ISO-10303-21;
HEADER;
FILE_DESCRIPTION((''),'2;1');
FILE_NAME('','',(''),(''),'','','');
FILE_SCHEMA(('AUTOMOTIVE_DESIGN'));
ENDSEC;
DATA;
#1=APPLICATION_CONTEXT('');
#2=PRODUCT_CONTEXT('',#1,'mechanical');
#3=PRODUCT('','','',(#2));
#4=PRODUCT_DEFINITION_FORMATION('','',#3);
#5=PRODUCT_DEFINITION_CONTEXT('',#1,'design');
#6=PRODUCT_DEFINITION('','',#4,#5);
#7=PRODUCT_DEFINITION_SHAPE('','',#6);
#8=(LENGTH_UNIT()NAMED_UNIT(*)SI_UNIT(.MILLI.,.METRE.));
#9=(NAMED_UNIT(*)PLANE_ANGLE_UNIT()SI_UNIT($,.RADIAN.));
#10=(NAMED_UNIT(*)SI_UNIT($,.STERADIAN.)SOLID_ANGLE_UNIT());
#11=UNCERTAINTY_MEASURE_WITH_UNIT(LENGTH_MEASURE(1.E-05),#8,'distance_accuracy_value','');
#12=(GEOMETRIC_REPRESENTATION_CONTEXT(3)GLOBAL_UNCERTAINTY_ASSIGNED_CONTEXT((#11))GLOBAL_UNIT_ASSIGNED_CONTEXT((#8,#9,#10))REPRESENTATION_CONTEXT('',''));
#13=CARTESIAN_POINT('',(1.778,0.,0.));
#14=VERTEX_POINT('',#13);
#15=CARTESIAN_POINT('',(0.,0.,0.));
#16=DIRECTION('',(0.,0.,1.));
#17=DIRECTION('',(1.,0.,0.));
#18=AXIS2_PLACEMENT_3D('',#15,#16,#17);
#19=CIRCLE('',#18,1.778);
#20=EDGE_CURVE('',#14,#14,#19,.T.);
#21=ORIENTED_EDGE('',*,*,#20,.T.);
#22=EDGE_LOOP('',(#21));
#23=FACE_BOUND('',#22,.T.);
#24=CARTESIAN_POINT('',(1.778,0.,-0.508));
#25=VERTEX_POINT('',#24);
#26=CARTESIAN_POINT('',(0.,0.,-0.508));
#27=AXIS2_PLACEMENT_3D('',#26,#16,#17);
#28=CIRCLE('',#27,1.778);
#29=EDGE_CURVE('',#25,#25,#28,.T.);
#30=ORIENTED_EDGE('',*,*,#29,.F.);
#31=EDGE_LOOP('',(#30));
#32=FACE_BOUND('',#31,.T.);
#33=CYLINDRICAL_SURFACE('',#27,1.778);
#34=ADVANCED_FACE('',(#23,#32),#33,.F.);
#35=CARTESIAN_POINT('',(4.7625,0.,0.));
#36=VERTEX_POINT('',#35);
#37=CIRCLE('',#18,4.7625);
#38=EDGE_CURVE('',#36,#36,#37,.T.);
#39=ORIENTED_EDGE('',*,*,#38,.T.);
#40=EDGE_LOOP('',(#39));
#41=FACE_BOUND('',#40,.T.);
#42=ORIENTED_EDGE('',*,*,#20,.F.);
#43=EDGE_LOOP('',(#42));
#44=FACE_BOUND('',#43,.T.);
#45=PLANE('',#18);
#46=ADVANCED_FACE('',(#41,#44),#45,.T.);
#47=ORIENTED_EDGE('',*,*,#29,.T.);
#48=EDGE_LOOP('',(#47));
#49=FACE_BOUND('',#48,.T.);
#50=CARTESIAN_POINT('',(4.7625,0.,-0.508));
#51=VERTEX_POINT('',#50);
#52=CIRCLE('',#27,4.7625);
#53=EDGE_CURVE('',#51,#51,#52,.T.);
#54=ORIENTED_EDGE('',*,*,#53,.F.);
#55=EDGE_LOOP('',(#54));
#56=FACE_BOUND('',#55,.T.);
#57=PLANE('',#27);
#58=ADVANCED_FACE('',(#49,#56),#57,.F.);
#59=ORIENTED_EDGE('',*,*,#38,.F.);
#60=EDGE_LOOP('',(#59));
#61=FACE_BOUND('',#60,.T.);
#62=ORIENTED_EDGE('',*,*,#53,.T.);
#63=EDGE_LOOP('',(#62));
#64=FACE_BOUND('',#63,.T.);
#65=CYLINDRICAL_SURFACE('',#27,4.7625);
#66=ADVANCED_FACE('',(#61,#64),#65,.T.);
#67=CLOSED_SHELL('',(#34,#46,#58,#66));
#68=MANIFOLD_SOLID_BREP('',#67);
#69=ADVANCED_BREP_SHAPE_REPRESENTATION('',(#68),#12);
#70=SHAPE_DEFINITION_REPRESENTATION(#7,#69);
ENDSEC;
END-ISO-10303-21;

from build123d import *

# Parameters (mm, degrees)
SKETCH1_R      = 4.7625
SKETCH1_R_2    = 1.778
EXTRUDE1_DEPTH = 0.508


with BuildPart() as part:
    # Sketch1 → Extrude1 (new body)
    with BuildSketch(Plane.XY):
        Circle(SKETCH1_R)
        Circle(SKETCH1_R_2, mode=Mode.SUBTRACT)
    extrude(amount=-EXTRUDE1_DEPTH)


solid = part.part
